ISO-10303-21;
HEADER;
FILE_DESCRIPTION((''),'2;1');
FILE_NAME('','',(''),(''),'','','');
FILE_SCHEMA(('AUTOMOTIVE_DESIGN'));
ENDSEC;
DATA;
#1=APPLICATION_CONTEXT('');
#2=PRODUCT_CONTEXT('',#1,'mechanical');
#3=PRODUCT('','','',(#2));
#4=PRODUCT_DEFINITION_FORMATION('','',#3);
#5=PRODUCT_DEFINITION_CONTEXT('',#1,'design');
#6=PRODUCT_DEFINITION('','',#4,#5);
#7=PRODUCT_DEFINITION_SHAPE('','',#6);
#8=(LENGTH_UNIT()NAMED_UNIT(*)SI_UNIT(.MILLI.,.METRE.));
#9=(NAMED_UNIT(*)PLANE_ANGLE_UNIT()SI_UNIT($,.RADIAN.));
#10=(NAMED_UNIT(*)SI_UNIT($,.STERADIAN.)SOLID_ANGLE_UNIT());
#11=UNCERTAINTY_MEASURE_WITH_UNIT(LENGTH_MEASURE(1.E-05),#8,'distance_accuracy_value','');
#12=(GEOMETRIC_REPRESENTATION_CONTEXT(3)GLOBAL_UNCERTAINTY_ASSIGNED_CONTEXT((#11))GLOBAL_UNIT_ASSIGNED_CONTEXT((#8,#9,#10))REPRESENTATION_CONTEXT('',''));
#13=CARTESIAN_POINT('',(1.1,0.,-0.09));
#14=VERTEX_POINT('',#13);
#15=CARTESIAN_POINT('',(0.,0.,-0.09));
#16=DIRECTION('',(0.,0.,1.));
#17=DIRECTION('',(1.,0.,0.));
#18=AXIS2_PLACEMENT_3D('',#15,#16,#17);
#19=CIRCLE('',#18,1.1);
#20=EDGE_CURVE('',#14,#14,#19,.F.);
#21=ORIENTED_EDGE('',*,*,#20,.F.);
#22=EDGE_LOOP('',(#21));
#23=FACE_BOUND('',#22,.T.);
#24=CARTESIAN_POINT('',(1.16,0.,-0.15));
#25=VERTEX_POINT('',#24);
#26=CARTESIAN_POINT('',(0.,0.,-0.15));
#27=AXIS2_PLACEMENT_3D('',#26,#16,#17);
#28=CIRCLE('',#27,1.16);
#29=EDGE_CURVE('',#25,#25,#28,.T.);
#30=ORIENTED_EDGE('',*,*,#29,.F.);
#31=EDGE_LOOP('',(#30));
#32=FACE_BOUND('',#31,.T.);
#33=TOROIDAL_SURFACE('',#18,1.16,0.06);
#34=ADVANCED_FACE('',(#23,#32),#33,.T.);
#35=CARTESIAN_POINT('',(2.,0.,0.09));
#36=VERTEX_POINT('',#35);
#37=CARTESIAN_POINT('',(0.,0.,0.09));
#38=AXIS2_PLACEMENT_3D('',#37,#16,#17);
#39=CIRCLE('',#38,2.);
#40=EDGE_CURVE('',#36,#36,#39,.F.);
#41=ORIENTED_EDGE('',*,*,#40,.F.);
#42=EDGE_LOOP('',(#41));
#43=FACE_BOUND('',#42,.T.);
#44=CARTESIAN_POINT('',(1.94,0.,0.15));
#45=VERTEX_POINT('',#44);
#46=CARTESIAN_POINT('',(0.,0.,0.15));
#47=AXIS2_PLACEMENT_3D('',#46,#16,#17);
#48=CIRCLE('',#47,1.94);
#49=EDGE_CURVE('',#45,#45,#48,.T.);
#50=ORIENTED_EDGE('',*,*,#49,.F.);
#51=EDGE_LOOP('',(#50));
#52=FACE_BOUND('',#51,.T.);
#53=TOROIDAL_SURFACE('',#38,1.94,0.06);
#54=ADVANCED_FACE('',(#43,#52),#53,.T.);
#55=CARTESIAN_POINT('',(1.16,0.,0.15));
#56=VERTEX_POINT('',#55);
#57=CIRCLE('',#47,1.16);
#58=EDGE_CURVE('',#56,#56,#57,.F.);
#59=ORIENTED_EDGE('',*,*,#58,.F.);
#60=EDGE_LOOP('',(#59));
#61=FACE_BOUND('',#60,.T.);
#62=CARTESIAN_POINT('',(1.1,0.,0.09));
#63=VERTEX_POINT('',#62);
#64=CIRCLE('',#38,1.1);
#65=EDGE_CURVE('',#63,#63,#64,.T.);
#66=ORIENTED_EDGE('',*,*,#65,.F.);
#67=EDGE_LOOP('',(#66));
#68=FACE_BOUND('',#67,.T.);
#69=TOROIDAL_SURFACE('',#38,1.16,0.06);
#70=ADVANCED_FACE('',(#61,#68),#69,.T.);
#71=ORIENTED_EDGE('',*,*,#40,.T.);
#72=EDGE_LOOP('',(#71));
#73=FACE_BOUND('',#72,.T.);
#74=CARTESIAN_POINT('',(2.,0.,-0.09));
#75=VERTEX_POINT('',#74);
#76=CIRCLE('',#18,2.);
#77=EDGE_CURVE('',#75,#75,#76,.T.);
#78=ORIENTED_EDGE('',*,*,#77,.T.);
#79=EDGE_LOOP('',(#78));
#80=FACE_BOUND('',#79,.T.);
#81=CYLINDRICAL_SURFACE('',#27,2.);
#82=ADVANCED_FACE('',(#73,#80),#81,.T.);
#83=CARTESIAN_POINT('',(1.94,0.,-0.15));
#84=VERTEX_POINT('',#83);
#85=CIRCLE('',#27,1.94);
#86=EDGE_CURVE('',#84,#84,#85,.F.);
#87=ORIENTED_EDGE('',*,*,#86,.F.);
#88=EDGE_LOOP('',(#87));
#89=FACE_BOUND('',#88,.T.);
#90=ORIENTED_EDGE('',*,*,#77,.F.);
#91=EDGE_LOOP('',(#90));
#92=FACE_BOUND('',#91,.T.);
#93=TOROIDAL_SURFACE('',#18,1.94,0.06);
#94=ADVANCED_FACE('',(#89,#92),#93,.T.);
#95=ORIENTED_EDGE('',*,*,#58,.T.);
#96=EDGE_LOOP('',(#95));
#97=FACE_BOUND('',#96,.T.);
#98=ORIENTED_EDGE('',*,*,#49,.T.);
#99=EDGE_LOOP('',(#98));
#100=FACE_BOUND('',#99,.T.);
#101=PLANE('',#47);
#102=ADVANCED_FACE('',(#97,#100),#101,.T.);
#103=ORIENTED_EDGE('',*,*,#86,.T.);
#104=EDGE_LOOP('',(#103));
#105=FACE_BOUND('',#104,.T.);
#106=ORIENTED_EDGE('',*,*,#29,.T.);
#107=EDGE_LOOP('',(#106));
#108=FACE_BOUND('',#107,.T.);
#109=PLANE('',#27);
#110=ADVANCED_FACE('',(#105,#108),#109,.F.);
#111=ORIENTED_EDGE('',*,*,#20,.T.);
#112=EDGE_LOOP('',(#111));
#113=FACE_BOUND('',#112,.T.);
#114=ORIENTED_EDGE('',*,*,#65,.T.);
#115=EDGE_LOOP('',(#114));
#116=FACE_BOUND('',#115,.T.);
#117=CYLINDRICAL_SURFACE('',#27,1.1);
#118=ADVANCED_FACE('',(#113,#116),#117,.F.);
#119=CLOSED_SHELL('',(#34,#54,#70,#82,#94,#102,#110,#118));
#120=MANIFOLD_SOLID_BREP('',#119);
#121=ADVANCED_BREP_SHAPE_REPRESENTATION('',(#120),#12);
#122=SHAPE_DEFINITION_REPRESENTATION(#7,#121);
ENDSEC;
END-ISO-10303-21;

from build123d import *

# Parameters (mm, degrees)
BOSS_EXTRUDE1_START = 0.15
SKETCH3_R           = 2
SKETCH3_R_2         = 1.1
BOSS_EXTRUDE1_DEPTH = 0.3
FILLET1_R           = 0.06


with BuildPart() as part:
    # Sketch3 → Boss-Extrude1 (new body)
    with BuildSketch(Plane.XY.offset(BOSS_EXTRUDE1_START)):
        Circle(SKETCH3_R)
        Circle(SKETCH3_R_2, mode=Mode.SUBTRACT)
    extrude(amount=-BOSS_EXTRUDE1_DEPTH)

    # Fillet1
    fillet1_edges = [part.edges().sort_by_distance(p)[0] for p in [
        (-2, 0, 0.15),
        (-2, 0, -0.15),
        (-1.1, 0, -0.15),
        (-1.1, 0, 0.15),
    ]]
    fillet(fillet1_edges, radius=FILLET1_R)


solid = part.part
